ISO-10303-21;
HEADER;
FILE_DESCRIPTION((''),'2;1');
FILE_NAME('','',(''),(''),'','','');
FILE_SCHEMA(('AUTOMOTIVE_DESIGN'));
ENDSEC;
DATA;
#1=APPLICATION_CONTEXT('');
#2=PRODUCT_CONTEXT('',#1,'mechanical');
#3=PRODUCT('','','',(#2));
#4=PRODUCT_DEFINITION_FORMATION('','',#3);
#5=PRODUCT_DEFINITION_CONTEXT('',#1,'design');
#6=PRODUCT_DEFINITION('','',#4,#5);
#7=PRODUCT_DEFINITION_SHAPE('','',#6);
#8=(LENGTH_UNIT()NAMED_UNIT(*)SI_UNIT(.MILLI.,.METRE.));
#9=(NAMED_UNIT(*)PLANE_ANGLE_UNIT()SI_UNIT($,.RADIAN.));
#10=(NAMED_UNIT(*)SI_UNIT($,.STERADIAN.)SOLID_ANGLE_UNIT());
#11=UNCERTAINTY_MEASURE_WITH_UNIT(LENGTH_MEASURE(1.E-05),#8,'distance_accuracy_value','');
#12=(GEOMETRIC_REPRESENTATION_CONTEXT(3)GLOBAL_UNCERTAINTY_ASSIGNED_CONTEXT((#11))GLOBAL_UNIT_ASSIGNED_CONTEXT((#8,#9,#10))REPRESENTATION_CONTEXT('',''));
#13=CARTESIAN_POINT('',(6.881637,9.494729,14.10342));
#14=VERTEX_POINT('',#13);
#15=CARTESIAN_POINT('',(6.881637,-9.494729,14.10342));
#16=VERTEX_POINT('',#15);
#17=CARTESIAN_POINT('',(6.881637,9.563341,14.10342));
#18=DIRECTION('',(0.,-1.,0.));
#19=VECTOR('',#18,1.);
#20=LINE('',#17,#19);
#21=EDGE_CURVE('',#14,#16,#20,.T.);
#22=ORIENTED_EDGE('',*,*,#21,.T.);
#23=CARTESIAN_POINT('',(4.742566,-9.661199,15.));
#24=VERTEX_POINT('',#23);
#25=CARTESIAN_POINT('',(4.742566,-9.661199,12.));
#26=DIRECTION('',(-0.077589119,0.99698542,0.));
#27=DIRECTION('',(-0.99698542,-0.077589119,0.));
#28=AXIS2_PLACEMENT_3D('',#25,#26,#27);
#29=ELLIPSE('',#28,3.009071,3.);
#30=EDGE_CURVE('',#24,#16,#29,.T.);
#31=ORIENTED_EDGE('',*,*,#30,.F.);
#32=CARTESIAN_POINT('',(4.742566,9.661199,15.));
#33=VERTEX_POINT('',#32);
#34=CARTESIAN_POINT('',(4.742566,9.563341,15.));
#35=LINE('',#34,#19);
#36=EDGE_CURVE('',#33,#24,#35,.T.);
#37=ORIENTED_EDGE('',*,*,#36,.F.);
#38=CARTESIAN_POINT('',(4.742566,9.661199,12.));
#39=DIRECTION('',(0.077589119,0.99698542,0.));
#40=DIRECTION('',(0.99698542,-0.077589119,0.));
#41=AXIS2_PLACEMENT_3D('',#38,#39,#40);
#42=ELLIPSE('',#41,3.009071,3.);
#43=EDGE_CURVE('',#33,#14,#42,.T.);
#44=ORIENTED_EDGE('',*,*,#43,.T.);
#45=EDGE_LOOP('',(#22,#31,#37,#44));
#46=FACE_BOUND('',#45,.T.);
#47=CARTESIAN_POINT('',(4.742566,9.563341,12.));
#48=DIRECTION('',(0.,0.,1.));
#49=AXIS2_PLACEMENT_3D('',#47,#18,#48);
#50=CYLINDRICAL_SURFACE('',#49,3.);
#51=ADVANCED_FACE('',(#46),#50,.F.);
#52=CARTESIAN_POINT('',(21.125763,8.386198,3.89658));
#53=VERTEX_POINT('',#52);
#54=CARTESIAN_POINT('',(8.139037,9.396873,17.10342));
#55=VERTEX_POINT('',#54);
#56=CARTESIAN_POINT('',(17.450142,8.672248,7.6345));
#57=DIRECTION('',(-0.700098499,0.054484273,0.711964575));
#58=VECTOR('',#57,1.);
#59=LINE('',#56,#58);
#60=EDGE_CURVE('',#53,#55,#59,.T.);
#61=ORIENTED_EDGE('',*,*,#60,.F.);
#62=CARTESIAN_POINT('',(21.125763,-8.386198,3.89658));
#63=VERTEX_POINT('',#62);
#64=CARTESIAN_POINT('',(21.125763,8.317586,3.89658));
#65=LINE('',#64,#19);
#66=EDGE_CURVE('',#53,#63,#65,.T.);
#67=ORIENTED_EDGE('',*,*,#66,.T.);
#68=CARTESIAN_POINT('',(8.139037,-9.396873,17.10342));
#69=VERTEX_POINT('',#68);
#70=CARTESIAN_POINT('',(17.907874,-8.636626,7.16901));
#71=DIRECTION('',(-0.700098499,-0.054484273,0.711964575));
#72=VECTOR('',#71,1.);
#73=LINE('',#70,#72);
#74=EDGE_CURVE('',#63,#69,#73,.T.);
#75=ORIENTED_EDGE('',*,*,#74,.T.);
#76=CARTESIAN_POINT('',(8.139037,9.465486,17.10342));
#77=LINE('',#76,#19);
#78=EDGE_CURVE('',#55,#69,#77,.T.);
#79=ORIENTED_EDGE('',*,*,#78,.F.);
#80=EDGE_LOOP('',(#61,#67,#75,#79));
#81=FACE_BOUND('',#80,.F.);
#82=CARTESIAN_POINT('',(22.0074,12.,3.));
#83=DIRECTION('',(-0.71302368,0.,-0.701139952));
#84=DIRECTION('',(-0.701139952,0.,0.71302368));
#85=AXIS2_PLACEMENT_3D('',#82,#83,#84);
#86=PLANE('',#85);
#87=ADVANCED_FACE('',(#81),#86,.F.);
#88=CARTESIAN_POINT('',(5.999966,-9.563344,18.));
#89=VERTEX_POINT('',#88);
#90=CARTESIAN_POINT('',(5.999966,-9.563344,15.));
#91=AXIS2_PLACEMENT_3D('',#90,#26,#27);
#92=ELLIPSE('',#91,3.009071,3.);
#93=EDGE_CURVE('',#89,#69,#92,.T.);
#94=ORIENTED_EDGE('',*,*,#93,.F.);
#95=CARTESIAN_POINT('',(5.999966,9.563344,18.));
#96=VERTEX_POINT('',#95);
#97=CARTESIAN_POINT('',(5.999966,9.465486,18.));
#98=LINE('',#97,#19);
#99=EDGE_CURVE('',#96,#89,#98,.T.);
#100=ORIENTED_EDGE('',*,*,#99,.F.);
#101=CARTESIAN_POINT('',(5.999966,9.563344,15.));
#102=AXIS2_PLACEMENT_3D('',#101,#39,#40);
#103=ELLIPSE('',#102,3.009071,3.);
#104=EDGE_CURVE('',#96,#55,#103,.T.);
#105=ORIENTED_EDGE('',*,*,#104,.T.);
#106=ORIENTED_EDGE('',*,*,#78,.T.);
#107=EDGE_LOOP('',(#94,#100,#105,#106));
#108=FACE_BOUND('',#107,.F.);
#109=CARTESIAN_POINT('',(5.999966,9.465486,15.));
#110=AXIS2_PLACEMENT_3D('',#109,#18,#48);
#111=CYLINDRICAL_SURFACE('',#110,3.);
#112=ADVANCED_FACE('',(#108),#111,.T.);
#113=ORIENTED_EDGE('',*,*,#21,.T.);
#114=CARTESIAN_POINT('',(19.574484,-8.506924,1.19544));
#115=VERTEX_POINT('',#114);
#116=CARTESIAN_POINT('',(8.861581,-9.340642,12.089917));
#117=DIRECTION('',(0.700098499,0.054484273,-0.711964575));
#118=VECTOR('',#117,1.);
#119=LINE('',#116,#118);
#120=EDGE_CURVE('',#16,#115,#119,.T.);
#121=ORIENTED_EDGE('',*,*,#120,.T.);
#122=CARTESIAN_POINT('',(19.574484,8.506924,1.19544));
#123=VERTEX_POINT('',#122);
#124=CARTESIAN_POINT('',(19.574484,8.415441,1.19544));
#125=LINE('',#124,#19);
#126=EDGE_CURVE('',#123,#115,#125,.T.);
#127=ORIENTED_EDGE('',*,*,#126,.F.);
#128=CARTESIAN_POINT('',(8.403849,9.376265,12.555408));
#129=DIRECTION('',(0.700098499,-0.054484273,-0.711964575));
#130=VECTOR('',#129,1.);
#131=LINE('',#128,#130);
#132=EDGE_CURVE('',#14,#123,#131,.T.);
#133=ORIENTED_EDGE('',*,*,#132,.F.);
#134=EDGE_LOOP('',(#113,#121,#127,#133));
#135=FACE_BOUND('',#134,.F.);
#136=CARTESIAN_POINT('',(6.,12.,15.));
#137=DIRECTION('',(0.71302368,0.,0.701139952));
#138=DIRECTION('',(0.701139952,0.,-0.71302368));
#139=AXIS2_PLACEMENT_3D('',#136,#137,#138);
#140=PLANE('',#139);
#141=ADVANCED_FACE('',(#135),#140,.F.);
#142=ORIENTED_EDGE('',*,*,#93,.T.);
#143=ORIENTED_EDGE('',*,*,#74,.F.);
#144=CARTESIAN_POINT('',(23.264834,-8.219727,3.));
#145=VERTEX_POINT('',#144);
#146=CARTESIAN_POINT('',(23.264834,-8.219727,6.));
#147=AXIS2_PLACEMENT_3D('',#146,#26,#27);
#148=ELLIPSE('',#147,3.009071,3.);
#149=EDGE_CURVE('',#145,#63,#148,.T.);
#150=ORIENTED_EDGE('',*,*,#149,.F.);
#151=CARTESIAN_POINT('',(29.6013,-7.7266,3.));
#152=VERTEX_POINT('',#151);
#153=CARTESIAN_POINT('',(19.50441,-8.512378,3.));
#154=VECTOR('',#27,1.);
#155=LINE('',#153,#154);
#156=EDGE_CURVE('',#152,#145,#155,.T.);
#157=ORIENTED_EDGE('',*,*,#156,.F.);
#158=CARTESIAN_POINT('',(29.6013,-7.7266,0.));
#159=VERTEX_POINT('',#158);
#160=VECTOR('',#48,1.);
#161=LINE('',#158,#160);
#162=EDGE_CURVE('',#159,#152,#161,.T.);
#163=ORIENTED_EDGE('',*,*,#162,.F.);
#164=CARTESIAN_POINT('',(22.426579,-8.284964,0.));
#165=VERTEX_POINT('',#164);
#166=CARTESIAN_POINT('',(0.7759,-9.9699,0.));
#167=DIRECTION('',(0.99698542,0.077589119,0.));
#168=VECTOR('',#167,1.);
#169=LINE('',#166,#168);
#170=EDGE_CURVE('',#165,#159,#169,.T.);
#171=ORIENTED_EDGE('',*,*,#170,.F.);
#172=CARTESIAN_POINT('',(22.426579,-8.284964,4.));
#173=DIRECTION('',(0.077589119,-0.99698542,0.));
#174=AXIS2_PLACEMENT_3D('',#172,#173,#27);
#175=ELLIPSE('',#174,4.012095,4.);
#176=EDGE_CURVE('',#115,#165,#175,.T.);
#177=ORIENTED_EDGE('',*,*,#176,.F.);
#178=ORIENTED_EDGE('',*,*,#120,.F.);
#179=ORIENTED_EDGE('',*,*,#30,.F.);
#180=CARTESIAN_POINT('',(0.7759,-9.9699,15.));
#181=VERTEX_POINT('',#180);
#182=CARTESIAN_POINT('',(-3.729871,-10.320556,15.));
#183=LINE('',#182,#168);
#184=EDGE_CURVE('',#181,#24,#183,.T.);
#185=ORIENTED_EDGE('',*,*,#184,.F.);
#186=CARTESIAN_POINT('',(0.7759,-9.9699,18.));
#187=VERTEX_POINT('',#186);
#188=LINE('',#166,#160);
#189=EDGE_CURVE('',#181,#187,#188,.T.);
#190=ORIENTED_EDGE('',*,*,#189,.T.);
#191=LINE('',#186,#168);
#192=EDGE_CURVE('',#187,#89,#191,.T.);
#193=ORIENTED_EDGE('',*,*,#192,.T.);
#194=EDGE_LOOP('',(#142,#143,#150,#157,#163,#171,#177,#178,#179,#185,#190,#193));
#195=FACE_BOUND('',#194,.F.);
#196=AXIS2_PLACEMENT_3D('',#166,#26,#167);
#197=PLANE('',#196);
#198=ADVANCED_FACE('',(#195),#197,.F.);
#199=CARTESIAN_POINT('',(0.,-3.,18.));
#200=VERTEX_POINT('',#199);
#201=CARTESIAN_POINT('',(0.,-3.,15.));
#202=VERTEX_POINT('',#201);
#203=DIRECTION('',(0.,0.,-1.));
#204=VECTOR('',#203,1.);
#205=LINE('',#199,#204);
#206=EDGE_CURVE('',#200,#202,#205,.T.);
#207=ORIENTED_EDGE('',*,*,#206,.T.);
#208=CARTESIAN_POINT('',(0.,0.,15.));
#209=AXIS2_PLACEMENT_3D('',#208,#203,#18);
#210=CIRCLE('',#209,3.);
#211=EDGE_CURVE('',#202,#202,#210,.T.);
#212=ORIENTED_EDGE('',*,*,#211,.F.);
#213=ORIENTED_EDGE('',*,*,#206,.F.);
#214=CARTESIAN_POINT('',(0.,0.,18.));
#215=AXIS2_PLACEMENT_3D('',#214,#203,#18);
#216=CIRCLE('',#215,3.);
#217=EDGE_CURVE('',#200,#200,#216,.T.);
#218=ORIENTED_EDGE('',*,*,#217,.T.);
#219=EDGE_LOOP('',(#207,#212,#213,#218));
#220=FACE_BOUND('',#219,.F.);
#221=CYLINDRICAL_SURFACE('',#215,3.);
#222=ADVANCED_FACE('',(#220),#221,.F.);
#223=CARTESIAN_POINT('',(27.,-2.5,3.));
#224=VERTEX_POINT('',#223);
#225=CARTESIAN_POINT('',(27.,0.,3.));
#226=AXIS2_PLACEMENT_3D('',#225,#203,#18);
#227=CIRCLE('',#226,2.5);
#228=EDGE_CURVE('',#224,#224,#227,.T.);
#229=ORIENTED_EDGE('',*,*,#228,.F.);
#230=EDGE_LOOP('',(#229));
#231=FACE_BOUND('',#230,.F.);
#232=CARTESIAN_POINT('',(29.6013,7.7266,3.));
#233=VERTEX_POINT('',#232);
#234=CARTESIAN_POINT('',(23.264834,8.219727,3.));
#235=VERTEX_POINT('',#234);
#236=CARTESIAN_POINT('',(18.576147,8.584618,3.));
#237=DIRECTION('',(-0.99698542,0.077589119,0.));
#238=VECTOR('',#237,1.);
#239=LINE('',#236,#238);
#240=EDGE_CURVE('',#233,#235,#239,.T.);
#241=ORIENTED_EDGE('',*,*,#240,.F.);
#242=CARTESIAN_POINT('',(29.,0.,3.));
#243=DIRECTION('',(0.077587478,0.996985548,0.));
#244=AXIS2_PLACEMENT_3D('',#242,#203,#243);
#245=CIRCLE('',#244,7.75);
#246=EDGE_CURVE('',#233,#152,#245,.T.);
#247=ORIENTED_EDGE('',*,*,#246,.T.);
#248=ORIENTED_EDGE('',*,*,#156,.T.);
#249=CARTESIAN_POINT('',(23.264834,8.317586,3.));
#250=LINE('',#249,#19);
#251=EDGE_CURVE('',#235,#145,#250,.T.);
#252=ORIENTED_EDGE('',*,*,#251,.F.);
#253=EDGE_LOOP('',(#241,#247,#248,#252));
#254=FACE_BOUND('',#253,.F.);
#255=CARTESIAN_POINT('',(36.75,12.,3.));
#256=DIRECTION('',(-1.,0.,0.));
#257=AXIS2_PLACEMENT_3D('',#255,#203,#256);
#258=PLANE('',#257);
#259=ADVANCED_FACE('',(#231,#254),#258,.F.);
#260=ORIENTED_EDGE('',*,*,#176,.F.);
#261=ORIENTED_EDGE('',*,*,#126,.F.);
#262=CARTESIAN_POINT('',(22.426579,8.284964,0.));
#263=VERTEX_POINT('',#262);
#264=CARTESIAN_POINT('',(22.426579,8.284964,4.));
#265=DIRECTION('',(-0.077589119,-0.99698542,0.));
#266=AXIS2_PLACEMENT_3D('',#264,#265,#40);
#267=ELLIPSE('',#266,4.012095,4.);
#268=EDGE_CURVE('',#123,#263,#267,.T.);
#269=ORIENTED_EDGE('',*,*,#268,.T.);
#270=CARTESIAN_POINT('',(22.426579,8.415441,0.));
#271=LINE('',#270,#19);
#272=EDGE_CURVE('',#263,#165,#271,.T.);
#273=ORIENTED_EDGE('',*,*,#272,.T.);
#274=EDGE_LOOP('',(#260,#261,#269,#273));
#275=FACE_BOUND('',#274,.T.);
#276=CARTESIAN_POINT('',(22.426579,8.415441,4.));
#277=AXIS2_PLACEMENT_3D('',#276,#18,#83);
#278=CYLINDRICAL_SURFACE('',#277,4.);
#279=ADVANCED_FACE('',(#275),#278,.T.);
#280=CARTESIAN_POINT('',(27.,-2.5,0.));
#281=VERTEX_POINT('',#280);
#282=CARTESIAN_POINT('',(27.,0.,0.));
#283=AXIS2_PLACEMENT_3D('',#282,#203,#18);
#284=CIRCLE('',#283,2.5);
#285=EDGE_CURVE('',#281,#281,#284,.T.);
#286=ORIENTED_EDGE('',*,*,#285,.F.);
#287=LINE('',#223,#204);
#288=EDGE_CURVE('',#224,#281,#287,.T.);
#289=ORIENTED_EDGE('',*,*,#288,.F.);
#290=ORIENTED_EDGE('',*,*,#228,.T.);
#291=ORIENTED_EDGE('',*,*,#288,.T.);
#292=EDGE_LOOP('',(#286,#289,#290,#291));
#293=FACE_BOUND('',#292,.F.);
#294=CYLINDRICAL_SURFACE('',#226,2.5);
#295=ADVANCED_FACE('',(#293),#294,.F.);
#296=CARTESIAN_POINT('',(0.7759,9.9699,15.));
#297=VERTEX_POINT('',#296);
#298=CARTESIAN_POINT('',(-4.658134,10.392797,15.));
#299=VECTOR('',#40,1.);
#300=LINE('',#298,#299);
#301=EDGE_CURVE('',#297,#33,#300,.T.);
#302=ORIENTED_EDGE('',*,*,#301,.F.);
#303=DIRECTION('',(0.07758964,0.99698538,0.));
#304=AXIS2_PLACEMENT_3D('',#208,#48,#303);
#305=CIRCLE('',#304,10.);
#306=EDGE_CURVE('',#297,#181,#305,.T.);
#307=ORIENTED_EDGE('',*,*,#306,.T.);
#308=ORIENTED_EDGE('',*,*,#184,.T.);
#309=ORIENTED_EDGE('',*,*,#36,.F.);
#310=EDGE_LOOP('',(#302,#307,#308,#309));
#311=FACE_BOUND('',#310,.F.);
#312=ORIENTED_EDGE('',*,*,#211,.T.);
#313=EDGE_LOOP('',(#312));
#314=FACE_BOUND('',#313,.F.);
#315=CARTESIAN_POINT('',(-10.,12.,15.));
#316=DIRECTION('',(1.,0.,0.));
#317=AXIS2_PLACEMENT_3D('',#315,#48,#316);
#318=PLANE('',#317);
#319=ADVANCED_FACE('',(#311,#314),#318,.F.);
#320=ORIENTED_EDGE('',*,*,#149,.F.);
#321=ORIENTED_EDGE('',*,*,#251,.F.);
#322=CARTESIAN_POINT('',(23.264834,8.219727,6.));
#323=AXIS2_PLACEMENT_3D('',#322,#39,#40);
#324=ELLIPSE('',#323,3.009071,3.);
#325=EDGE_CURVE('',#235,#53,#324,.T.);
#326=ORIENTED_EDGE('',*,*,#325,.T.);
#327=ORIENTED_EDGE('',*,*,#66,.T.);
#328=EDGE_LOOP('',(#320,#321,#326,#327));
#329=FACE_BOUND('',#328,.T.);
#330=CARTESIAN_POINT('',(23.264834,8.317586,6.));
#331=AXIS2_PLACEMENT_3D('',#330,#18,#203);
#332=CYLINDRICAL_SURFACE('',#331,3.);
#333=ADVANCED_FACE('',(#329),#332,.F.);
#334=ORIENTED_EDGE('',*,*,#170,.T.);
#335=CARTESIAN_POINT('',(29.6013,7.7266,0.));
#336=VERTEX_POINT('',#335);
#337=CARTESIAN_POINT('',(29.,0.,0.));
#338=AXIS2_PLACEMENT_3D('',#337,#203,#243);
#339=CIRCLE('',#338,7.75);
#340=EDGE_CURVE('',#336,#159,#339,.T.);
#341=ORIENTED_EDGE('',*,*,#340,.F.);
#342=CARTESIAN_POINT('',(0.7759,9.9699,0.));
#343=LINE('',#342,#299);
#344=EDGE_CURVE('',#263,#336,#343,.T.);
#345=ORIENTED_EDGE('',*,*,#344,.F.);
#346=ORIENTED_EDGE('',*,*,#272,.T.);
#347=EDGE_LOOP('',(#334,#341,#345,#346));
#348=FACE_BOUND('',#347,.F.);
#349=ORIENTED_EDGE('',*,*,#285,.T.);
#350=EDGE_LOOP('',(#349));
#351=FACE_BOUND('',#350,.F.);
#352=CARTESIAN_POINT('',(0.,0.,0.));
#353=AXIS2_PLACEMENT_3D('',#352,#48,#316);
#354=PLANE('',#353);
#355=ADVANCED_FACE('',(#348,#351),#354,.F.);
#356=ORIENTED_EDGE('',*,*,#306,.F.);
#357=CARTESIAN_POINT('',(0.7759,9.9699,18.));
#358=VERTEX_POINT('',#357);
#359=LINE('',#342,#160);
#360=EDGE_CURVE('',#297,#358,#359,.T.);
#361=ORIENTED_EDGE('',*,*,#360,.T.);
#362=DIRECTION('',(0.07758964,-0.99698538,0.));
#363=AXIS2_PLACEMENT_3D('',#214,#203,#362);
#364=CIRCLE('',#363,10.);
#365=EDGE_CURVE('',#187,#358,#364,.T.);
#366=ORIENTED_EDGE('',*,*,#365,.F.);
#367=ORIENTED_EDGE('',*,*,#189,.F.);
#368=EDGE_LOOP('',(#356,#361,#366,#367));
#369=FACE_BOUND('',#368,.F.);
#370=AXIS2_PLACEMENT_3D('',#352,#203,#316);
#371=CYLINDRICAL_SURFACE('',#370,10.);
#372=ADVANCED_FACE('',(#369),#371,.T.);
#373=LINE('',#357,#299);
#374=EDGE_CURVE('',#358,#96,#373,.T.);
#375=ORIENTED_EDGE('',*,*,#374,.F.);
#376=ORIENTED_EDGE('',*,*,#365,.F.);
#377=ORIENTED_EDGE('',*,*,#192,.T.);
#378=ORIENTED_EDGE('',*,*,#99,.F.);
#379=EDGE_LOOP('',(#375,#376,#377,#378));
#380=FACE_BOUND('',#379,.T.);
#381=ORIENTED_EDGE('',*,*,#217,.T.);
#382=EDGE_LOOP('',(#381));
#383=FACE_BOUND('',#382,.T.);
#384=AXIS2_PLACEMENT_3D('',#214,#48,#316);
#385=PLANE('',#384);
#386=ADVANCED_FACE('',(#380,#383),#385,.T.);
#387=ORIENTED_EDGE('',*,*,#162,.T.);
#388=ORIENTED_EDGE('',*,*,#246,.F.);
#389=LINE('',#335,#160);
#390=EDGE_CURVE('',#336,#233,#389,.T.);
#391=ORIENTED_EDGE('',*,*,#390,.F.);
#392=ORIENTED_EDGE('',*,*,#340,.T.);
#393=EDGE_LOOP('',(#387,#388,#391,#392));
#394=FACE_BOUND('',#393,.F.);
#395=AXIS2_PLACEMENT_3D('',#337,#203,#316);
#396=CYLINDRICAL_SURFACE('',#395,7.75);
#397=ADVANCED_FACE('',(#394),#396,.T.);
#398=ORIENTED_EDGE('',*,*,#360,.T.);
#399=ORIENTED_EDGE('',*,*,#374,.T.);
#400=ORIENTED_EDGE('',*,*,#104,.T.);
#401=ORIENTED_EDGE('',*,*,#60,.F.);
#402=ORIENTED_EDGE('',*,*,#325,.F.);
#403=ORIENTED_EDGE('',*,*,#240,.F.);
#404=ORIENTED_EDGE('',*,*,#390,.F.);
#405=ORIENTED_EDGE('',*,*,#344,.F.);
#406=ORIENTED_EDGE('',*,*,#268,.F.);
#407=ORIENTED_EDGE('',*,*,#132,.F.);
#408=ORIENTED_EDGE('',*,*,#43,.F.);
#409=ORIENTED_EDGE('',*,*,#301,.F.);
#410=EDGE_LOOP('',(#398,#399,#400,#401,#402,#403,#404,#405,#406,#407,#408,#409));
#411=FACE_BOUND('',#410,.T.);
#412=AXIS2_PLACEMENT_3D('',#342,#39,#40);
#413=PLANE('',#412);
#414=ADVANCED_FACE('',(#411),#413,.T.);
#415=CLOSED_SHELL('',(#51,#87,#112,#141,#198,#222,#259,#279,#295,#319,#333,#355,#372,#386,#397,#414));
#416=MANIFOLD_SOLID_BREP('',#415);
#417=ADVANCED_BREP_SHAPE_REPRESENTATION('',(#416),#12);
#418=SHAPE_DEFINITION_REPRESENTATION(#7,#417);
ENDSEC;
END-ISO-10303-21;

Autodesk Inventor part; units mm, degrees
ref_plane "YZ Plane" through (0, 0, 0) normal (1, 0, 0) x (0, 1, 0)
sketch "Body" plane through (0, 0, 0) normal (0, 0, 1) x (1, 0, 0)
  circle A0 centre (0, 0) radius 10
  line L0 (0, 0) -> (29, 0) construction
  circle A1 centre (29, 0) radius 7.75
  line L1 (0.7759, 9.9699) -> (29.6013, 7.7266)
  line L2 (0.7759, -9.9699) -> (29.6013, -7.7266)
  dimension "SmallDiameter" = 20
  dimension "d1" = 29
  dimension "LargeDiameter" = 15.5
extrude "BodyFeature" add sketch "Body" along normal blind 18
ref_plane "SideProfilePlane" through (0, 12, 0) normal (0, 1, 0) x (-1, 0, 0)
sketch "SideProfile" plane through (0, 12, 0) normal (0, 1, 0) x (-1, 0, 0)
  line L0 (10, 18) -> (-0.7759, 18) construction
  line L1 (10, 18) -> (10, 15)
  line L2 (10, 15) -> (-6, 15)
  line L3 (-6, 15) -> (-20.75, 0)
  line L4 (-20.75, 0) -> (-36.75, 0)
  line L5 (-29.6013, 0) -> (-0.7759, 0) construction
  line L6 (-36.75, 0) -> (-36.75, 18) construction
  line L7 (-29.6013, 18) -> (-36.75, 18) construction
  line L8 (-29.6013, 18) -> (-0.7759, 18) construction
  line L9 (-22.0074, 3) -> (-7.2574, 18)
  line L10 (-36.75, 3) -> (-22.0074, 3)
  line L11 (-36.75, 0) -> (-36.75, 3)
  line L12 (10, 18) -> (-7.2574, 18)
  dimension "Thickness" = 3
  dimension "d15" = 3
  dimension "d16" = 3
  dimension "d17" = 16
  dimension "d18" = 16
extrude "SideProfileFeature" cut sketch "SideProfile" against normal through all keep common part
fillet "BodyFilletsFeate" radius 3 3 edges at (6, 0, 15) (22.0074, 0, 3) (7.2574, 0, 18)
ref_plane "HeadMountPlane" through (29, 0, 3) normal (0, 0, 1) x (1, 0, 0)
sketch "HeadMountHole" plane through (29, 0, 3) normal (0, 0, 1) x (1, 0, 0)
  circle A0 centre (-2, 0) radius 3.25
  arc A1 (0.6013, -7.7266) -> (0.6013, 7.7266) centre (0, 0) ccw construction
  line L0 (-2, 0) -> (0, 0) construction
  point P0 (-29, 0)
  dimension "d307" = 2
  dimension "d308" = 6.5
hole "HeadMountHoleFeature" at (27, 0, 3) direction (0, 0, -1) diameter 5 end through all
sketch "BodyMountHole" plane through (0, 0, 18) normal (0, 0, 1) x (1, 0, 0)
  arc A0 (0.7759, 9.9699) -> (0.7759, -9.9699) centre (0, 0) ccw projected
hole "BodyMountHoleFeature" at (0, 0, 18) direction (0, 0, -1) diameter 6 end through all
fillet "BodyFillets2Feature" radius 4 1 edges at (20.75, 0, 0)
equation "\"d16\" = Thickness"
properties part number "ShoulderConnectorBodyFinal"
